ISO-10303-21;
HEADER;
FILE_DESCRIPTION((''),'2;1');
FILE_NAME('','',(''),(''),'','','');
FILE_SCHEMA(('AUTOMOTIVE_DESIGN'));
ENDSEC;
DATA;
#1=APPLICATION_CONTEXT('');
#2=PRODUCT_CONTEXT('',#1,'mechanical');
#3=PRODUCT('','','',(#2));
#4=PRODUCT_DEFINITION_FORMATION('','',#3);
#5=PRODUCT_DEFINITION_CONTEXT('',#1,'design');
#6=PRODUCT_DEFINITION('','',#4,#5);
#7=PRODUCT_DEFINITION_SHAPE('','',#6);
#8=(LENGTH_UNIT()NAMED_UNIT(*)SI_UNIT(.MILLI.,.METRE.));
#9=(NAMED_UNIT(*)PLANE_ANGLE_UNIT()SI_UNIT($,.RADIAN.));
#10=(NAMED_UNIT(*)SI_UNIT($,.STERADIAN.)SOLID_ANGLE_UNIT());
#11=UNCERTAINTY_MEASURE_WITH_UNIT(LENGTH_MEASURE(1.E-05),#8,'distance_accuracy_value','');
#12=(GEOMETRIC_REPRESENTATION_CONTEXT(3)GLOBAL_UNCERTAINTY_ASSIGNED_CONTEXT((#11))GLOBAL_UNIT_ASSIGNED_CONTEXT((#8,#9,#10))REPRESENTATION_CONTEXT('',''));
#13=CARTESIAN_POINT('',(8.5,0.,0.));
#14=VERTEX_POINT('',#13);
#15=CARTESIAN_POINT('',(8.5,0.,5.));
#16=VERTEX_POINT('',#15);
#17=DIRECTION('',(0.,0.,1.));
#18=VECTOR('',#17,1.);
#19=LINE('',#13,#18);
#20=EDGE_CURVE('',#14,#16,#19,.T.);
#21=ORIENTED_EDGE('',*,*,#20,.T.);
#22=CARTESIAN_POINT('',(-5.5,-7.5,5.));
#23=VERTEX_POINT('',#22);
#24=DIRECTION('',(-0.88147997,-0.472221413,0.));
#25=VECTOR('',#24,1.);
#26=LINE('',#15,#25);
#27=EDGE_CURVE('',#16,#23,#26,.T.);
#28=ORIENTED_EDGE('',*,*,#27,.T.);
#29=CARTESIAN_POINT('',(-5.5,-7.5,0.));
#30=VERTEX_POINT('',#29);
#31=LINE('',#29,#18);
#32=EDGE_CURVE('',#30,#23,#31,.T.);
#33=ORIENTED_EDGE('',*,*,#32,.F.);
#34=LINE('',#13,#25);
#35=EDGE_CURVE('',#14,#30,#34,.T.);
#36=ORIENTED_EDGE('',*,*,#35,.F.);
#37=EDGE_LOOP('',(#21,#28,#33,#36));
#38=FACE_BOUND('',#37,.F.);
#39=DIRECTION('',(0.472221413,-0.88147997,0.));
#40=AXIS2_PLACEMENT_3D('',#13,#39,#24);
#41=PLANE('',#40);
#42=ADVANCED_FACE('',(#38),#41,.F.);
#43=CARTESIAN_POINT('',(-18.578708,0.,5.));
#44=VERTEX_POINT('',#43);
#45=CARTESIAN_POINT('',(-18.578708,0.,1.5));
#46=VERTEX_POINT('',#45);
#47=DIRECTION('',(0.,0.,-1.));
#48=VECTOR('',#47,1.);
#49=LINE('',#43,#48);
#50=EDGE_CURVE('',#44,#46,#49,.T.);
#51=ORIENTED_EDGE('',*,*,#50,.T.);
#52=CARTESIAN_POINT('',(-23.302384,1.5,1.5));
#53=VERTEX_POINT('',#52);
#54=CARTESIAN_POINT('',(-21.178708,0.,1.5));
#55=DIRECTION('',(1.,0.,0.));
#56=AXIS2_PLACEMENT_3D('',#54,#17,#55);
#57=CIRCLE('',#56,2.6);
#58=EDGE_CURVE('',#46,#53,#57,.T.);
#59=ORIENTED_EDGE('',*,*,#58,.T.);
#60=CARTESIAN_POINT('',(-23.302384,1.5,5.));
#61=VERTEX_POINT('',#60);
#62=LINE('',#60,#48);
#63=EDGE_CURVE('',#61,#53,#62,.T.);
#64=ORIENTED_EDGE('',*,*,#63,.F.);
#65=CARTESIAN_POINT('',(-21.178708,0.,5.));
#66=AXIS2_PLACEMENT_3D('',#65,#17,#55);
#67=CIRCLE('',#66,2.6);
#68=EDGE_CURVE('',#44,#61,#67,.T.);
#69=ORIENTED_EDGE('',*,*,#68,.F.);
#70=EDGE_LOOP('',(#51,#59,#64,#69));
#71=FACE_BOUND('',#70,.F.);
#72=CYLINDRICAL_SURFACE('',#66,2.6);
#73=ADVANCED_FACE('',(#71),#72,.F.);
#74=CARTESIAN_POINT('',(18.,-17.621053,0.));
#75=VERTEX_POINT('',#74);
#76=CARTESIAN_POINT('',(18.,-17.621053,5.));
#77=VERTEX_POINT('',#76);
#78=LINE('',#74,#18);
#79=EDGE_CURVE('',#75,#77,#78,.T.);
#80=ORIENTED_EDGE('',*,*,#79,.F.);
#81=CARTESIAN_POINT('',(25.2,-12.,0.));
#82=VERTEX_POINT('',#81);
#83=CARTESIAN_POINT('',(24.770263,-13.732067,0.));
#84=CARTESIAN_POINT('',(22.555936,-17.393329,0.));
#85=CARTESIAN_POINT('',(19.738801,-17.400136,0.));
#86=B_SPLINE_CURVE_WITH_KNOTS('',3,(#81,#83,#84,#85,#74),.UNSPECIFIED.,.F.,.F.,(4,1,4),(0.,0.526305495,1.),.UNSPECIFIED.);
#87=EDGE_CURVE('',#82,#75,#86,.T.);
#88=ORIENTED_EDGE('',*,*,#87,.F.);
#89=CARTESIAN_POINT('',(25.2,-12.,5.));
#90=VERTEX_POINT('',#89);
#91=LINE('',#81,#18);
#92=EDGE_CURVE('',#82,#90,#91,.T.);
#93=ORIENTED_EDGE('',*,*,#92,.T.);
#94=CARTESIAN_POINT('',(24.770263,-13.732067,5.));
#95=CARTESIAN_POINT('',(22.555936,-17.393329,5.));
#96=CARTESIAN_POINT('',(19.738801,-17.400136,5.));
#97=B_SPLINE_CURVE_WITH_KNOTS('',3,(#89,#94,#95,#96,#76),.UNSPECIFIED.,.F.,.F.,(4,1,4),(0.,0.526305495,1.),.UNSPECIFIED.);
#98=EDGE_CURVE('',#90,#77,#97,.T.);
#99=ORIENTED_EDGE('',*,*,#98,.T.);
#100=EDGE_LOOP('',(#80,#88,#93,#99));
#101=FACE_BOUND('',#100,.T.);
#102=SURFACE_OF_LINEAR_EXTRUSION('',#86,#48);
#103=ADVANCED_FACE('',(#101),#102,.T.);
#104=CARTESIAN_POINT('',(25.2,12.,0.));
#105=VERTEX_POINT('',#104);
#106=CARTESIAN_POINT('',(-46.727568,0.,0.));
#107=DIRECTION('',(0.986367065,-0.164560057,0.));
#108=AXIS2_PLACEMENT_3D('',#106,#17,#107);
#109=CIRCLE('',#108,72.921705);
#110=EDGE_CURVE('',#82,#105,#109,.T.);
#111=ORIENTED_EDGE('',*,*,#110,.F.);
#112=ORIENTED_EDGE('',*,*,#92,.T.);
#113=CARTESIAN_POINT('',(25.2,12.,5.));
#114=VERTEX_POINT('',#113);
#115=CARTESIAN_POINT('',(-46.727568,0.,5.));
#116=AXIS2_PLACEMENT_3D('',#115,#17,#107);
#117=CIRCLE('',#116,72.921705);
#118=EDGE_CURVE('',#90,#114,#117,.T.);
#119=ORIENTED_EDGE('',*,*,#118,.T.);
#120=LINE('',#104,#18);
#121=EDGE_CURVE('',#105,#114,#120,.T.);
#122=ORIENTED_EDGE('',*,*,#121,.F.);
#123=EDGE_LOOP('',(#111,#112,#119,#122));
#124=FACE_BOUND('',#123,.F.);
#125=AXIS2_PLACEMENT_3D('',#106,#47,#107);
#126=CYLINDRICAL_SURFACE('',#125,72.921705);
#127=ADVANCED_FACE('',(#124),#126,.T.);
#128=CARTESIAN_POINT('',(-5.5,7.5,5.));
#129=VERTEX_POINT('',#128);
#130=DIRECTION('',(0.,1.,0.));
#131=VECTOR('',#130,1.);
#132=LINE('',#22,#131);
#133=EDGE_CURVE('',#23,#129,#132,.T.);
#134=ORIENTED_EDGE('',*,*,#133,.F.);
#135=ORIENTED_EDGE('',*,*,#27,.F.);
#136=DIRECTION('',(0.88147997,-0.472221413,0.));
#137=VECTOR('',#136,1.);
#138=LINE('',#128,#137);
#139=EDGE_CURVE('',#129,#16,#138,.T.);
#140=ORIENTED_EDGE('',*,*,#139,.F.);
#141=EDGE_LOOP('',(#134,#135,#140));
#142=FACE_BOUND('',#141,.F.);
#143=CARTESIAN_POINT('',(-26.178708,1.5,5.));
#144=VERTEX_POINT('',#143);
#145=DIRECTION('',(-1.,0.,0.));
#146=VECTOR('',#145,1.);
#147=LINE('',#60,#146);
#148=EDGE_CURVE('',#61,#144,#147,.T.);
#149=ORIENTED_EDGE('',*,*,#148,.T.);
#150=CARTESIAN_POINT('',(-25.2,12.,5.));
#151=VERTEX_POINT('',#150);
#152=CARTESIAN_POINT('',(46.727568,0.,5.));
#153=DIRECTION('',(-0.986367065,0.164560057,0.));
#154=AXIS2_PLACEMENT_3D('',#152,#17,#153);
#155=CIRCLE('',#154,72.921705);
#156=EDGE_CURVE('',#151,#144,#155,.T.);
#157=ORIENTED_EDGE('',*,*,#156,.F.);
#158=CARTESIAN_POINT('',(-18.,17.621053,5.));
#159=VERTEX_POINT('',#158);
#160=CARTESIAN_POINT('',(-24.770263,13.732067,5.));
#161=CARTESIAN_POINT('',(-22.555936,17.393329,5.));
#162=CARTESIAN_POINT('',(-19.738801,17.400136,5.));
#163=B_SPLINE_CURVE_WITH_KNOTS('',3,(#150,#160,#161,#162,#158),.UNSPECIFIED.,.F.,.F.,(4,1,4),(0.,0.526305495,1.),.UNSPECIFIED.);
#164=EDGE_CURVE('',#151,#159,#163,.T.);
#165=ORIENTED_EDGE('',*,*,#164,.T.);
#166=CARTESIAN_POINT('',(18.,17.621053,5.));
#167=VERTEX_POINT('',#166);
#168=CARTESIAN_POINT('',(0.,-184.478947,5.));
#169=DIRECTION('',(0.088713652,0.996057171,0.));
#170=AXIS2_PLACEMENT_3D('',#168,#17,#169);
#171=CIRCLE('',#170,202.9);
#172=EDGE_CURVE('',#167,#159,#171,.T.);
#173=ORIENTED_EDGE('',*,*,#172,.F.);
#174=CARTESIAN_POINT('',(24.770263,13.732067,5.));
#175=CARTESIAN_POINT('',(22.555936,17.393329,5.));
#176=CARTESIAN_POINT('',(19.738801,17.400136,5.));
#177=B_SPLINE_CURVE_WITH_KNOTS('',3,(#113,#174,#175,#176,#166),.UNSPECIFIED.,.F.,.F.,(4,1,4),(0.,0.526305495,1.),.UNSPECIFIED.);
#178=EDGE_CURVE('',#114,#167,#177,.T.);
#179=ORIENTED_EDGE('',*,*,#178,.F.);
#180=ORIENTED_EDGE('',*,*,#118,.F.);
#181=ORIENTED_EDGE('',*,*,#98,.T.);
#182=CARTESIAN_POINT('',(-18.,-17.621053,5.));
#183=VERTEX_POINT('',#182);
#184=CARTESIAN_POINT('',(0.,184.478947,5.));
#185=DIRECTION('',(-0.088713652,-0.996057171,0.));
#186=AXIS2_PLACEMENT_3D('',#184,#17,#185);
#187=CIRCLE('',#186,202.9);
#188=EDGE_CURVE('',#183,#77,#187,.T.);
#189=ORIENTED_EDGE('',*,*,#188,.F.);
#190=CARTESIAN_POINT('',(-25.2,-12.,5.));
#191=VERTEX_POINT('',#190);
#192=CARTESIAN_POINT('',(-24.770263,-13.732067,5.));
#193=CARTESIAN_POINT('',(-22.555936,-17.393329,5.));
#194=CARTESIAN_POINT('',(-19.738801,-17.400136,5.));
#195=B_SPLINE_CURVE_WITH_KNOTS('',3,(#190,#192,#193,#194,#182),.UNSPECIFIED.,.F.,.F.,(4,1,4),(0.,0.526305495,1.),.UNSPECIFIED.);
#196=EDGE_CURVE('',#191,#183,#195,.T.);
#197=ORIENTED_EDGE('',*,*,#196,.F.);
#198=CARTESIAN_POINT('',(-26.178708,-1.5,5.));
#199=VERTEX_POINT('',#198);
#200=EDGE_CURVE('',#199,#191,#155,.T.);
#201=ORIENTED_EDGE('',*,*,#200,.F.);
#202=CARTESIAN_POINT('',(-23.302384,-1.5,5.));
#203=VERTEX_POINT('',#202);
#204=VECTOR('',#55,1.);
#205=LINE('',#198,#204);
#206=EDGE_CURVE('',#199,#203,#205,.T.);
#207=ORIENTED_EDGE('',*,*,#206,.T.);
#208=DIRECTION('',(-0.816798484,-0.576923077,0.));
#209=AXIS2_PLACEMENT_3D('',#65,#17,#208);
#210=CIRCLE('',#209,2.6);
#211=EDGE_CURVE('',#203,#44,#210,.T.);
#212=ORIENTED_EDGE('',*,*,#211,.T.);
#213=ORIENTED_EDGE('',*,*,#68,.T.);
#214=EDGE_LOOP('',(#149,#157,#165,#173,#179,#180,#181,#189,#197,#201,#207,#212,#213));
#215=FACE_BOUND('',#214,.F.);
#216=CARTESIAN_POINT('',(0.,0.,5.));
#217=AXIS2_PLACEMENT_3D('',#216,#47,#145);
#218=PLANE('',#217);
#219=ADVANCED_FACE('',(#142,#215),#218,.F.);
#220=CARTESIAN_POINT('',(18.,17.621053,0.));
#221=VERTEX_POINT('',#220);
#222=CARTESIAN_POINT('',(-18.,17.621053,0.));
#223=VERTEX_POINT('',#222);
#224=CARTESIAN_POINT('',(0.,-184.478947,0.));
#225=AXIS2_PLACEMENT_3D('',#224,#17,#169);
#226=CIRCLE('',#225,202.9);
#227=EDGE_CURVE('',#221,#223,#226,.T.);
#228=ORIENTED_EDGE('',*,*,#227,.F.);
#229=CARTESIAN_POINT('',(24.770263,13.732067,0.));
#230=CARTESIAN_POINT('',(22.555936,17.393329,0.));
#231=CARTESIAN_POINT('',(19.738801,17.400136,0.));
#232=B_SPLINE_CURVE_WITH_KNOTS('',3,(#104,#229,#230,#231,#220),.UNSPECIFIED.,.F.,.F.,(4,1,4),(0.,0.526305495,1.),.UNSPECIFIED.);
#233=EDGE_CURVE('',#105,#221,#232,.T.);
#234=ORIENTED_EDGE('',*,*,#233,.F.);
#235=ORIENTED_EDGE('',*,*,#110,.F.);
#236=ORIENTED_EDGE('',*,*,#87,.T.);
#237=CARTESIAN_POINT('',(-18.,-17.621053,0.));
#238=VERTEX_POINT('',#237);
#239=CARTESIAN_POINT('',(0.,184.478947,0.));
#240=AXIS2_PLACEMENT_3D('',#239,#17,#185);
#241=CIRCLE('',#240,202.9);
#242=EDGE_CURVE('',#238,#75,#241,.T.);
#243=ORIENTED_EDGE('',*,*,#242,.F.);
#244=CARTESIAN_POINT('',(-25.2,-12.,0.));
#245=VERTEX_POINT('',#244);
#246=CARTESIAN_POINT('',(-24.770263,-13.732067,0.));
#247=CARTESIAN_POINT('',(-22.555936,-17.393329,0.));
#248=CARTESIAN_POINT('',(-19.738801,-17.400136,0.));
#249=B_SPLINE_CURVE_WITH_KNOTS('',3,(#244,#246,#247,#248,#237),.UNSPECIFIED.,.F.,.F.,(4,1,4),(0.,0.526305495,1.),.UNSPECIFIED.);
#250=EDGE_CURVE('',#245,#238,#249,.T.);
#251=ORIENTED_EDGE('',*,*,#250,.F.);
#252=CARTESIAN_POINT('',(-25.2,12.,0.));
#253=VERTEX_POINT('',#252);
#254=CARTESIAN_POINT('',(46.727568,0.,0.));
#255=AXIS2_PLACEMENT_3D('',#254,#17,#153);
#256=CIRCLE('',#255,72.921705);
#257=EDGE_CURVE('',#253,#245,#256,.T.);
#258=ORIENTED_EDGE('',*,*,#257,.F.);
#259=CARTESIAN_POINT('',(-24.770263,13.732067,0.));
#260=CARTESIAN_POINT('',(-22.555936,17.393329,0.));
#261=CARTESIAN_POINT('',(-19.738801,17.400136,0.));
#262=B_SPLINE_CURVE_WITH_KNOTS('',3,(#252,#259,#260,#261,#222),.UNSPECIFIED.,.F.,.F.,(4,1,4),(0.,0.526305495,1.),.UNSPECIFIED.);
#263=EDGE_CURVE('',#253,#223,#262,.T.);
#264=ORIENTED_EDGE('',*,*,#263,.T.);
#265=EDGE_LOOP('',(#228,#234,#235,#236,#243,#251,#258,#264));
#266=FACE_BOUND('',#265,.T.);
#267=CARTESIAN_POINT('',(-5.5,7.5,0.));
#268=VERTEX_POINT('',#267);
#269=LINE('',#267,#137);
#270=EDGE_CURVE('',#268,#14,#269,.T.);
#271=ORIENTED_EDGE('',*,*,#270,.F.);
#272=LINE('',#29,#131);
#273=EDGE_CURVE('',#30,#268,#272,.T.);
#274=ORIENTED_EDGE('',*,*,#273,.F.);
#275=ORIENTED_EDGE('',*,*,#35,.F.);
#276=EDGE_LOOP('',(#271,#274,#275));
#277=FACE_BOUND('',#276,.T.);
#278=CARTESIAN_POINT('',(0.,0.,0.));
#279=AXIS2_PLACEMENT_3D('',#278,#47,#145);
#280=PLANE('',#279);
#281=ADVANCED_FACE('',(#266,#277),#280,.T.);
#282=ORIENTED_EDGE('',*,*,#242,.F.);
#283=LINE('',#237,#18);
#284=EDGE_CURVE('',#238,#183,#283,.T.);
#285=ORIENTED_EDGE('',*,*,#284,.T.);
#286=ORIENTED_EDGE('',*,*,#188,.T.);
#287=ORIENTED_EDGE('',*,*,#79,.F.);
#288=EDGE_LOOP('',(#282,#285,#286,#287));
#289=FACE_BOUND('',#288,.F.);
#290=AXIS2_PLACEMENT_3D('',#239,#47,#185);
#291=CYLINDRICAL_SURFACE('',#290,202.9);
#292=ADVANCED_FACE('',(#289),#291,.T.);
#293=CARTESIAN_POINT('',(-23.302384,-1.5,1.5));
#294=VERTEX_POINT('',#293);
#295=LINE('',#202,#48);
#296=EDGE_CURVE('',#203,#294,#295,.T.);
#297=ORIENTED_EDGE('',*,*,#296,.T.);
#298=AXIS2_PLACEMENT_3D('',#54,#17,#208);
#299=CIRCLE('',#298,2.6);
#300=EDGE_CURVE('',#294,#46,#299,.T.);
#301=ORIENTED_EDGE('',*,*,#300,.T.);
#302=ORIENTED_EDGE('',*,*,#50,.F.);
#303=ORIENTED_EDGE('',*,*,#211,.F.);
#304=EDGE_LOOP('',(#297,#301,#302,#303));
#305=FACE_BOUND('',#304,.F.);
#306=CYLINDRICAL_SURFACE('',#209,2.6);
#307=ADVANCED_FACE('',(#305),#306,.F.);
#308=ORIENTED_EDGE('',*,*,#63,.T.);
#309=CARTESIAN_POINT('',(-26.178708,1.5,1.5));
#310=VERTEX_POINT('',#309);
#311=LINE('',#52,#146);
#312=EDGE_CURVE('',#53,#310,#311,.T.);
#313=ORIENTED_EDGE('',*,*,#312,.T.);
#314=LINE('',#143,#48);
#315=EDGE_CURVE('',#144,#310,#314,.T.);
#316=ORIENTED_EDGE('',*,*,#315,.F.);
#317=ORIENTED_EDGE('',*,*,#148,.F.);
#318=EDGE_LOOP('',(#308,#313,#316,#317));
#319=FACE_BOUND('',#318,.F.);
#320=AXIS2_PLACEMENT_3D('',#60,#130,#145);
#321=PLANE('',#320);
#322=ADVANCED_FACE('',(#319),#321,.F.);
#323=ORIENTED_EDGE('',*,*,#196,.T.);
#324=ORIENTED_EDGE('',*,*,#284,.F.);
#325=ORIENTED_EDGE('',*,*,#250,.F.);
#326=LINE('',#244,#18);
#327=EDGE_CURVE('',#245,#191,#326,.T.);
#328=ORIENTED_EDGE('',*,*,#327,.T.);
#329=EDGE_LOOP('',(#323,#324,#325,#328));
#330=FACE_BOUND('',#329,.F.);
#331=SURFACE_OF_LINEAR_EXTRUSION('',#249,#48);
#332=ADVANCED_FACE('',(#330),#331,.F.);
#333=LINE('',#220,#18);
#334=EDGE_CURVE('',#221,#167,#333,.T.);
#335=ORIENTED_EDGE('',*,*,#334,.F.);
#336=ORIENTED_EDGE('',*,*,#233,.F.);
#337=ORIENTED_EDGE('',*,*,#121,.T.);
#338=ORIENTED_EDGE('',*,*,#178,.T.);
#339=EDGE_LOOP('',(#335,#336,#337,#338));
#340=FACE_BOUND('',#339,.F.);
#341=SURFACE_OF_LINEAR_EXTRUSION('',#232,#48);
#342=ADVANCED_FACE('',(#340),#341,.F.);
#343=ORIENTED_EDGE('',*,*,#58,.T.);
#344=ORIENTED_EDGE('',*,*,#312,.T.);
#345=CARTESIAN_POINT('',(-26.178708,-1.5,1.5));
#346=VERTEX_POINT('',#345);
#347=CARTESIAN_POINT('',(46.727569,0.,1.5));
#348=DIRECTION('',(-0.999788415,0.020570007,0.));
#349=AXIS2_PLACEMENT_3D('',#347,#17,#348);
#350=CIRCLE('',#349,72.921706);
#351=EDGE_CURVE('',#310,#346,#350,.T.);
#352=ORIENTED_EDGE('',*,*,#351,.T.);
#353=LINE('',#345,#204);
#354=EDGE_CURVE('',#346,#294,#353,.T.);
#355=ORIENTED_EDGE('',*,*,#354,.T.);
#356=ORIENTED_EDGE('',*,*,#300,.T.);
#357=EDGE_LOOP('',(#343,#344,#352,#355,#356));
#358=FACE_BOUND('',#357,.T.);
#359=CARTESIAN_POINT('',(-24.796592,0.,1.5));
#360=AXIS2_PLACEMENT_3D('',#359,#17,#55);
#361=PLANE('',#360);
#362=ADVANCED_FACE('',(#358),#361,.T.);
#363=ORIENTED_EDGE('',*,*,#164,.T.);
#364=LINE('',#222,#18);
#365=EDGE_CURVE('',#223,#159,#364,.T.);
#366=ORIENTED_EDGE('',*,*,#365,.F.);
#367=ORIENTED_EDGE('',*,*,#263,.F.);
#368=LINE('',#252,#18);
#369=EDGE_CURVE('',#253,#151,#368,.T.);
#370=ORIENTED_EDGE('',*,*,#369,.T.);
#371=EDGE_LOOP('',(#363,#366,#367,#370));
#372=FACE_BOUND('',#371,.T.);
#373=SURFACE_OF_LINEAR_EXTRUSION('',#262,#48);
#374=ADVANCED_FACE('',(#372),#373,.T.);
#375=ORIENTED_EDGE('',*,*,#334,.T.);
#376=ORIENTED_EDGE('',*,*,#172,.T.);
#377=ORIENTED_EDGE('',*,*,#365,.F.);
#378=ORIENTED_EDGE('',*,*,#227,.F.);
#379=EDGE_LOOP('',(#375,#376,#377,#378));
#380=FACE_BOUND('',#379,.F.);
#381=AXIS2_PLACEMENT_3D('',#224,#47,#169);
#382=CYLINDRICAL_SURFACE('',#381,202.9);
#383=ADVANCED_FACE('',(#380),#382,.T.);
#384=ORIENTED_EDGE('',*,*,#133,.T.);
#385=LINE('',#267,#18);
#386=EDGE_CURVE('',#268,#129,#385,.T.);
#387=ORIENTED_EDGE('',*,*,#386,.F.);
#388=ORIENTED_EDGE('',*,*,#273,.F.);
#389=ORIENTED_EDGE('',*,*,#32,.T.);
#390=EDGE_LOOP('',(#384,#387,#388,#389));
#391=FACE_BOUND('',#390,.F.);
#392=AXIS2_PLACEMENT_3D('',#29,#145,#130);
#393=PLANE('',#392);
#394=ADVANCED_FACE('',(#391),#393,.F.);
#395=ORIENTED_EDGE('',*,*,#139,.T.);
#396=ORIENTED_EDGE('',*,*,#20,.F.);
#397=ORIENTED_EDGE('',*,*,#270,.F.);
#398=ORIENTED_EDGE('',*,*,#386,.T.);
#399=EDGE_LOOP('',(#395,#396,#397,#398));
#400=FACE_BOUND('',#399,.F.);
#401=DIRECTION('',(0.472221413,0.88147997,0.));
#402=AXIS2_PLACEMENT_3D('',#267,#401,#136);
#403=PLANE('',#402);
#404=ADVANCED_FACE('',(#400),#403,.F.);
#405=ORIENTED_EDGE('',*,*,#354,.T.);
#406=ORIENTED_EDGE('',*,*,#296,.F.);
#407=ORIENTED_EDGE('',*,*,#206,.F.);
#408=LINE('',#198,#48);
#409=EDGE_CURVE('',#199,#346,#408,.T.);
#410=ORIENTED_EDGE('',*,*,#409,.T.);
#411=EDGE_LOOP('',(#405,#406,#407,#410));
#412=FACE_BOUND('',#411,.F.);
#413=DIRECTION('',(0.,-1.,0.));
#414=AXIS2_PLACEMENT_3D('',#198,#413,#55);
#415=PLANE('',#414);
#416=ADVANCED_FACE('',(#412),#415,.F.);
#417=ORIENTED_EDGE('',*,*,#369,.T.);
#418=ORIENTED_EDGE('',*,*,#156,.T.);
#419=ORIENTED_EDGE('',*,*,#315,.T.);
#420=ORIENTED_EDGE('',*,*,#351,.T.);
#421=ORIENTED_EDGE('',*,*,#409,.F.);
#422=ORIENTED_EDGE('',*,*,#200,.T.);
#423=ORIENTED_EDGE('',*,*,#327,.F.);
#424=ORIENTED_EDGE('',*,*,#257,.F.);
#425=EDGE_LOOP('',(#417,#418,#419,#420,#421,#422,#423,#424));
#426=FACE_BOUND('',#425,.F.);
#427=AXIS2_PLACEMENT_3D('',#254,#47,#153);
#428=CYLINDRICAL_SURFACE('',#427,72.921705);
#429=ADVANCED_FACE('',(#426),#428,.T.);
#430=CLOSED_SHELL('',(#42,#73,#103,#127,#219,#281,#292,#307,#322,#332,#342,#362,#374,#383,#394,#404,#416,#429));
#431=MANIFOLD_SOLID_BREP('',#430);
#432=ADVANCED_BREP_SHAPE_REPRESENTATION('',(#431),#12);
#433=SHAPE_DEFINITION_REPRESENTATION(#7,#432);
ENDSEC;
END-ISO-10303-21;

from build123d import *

# Parameters (mm, degrees)
F1_DEPTH = 5
F4_DEPTH = 3.5


with BuildPart() as f1:
    # F0 (on Top) → F1 (new body)
    with BuildSketch(Plane.XY):
        with BuildLine():
            add(Edge.make_bspline(
                [(-25.2, 12), (-24.770263451, 13.7320665567), (-22.5559362307, 17.3933294028), (-19.7388011355, 17.4001357259), (-18, 17.6210526316)],
                knots=[0, 0, 0, 0, 0.5263054949, 1, 1, 1, 1], degree=3))
            ThreePointArc((-25.2, 12), (-26.1941368445, 0), (-25.2, -12))
            add(Edge.make_bspline(
                [(-25.2, -12), (-24.770263451, -13.7320665567), (-22.5559362307, -17.3933294028), (-19.7388011355, -17.4001357259), (-18, -17.6210526316)],
                knots=[0, 0, 0, 0, 0.5263054949, 1, 1, 1, 1], degree=3))
            ThreePointArc((-18, -17.6210526316), (0, -18.4210526316), (18, -17.6210526316))
            add(Edge.make_bspline(
                [(25.2, -12), (24.770263451, -13.7320665567), (22.5559362307, -17.3933294028), (19.7388011355, -17.4001357259), (18, -17.6210526316)],
                knots=[0, 0, 0, 0, 0.5263054949, 1, 1, 1, 1], degree=3))
            ThreePointArc((25.2, -12), (26.1941368445, 0), (25.2, 12))
            add(Edge.make_bspline(
                [(25.2, 12), (24.770263451, 13.7320665567), (22.5559362307, 17.3933294028), (19.7388011355, 17.4001357259), (18, 17.6210526316)],
                knots=[0, 0, 0, 0, 0.5263054949, 1, 1, 1, 1], degree=3))
            ThreePointArc((18, 17.6210526316), (0, 18.4210526316), (-18, 17.6210526316))
        make_face()
        Polygon((-5.5, -7.5), (-5.5, 7.5), (8.5, 0), align=None, mode=Mode.SUBTRACT)
    extrude(amount=F1_DEPTH)


with BuildPart() as f1_1:
    # F2: moved
    add(f1.part)

    # F3 (on face) → F4 (cut)
    with BuildSketch(Plane.XY.offset(5)):
        with BuildLine():
            ThreePointArc((-23.302383765, -1.5), (-23.7787077069, 0), (-23.302383765, 1.5))
            Line((-23.302383765, 1.5), (-26.1787077069, 1.5))
            ThreePointArc((-26.1787077069, 1.5), (-26.1941368445, 0), (-26.1787077069, -1.5))
            Line((-26.1787077069, -1.5), (-23.302383765, -1.5))
        make_face()
        with BuildLine():
            ThreePointArc((-23.302383765, -1.5), (-20.3918016614, -2.478059498), (-18.5787077069, 0))
            ThreePointArc((-18.5787077069, 0), (-20.3918016614, 2.478059498), (-23.302383765, 1.5))
            ThreePointArc((-23.302383765, 1.5), (-23.7787077069, 0), (-23.302383765, -1.5))
        make_face()
    extrude(amount=-F4_DEPTH, mode=Mode.SUBTRACT)


solid = f1_1.part
